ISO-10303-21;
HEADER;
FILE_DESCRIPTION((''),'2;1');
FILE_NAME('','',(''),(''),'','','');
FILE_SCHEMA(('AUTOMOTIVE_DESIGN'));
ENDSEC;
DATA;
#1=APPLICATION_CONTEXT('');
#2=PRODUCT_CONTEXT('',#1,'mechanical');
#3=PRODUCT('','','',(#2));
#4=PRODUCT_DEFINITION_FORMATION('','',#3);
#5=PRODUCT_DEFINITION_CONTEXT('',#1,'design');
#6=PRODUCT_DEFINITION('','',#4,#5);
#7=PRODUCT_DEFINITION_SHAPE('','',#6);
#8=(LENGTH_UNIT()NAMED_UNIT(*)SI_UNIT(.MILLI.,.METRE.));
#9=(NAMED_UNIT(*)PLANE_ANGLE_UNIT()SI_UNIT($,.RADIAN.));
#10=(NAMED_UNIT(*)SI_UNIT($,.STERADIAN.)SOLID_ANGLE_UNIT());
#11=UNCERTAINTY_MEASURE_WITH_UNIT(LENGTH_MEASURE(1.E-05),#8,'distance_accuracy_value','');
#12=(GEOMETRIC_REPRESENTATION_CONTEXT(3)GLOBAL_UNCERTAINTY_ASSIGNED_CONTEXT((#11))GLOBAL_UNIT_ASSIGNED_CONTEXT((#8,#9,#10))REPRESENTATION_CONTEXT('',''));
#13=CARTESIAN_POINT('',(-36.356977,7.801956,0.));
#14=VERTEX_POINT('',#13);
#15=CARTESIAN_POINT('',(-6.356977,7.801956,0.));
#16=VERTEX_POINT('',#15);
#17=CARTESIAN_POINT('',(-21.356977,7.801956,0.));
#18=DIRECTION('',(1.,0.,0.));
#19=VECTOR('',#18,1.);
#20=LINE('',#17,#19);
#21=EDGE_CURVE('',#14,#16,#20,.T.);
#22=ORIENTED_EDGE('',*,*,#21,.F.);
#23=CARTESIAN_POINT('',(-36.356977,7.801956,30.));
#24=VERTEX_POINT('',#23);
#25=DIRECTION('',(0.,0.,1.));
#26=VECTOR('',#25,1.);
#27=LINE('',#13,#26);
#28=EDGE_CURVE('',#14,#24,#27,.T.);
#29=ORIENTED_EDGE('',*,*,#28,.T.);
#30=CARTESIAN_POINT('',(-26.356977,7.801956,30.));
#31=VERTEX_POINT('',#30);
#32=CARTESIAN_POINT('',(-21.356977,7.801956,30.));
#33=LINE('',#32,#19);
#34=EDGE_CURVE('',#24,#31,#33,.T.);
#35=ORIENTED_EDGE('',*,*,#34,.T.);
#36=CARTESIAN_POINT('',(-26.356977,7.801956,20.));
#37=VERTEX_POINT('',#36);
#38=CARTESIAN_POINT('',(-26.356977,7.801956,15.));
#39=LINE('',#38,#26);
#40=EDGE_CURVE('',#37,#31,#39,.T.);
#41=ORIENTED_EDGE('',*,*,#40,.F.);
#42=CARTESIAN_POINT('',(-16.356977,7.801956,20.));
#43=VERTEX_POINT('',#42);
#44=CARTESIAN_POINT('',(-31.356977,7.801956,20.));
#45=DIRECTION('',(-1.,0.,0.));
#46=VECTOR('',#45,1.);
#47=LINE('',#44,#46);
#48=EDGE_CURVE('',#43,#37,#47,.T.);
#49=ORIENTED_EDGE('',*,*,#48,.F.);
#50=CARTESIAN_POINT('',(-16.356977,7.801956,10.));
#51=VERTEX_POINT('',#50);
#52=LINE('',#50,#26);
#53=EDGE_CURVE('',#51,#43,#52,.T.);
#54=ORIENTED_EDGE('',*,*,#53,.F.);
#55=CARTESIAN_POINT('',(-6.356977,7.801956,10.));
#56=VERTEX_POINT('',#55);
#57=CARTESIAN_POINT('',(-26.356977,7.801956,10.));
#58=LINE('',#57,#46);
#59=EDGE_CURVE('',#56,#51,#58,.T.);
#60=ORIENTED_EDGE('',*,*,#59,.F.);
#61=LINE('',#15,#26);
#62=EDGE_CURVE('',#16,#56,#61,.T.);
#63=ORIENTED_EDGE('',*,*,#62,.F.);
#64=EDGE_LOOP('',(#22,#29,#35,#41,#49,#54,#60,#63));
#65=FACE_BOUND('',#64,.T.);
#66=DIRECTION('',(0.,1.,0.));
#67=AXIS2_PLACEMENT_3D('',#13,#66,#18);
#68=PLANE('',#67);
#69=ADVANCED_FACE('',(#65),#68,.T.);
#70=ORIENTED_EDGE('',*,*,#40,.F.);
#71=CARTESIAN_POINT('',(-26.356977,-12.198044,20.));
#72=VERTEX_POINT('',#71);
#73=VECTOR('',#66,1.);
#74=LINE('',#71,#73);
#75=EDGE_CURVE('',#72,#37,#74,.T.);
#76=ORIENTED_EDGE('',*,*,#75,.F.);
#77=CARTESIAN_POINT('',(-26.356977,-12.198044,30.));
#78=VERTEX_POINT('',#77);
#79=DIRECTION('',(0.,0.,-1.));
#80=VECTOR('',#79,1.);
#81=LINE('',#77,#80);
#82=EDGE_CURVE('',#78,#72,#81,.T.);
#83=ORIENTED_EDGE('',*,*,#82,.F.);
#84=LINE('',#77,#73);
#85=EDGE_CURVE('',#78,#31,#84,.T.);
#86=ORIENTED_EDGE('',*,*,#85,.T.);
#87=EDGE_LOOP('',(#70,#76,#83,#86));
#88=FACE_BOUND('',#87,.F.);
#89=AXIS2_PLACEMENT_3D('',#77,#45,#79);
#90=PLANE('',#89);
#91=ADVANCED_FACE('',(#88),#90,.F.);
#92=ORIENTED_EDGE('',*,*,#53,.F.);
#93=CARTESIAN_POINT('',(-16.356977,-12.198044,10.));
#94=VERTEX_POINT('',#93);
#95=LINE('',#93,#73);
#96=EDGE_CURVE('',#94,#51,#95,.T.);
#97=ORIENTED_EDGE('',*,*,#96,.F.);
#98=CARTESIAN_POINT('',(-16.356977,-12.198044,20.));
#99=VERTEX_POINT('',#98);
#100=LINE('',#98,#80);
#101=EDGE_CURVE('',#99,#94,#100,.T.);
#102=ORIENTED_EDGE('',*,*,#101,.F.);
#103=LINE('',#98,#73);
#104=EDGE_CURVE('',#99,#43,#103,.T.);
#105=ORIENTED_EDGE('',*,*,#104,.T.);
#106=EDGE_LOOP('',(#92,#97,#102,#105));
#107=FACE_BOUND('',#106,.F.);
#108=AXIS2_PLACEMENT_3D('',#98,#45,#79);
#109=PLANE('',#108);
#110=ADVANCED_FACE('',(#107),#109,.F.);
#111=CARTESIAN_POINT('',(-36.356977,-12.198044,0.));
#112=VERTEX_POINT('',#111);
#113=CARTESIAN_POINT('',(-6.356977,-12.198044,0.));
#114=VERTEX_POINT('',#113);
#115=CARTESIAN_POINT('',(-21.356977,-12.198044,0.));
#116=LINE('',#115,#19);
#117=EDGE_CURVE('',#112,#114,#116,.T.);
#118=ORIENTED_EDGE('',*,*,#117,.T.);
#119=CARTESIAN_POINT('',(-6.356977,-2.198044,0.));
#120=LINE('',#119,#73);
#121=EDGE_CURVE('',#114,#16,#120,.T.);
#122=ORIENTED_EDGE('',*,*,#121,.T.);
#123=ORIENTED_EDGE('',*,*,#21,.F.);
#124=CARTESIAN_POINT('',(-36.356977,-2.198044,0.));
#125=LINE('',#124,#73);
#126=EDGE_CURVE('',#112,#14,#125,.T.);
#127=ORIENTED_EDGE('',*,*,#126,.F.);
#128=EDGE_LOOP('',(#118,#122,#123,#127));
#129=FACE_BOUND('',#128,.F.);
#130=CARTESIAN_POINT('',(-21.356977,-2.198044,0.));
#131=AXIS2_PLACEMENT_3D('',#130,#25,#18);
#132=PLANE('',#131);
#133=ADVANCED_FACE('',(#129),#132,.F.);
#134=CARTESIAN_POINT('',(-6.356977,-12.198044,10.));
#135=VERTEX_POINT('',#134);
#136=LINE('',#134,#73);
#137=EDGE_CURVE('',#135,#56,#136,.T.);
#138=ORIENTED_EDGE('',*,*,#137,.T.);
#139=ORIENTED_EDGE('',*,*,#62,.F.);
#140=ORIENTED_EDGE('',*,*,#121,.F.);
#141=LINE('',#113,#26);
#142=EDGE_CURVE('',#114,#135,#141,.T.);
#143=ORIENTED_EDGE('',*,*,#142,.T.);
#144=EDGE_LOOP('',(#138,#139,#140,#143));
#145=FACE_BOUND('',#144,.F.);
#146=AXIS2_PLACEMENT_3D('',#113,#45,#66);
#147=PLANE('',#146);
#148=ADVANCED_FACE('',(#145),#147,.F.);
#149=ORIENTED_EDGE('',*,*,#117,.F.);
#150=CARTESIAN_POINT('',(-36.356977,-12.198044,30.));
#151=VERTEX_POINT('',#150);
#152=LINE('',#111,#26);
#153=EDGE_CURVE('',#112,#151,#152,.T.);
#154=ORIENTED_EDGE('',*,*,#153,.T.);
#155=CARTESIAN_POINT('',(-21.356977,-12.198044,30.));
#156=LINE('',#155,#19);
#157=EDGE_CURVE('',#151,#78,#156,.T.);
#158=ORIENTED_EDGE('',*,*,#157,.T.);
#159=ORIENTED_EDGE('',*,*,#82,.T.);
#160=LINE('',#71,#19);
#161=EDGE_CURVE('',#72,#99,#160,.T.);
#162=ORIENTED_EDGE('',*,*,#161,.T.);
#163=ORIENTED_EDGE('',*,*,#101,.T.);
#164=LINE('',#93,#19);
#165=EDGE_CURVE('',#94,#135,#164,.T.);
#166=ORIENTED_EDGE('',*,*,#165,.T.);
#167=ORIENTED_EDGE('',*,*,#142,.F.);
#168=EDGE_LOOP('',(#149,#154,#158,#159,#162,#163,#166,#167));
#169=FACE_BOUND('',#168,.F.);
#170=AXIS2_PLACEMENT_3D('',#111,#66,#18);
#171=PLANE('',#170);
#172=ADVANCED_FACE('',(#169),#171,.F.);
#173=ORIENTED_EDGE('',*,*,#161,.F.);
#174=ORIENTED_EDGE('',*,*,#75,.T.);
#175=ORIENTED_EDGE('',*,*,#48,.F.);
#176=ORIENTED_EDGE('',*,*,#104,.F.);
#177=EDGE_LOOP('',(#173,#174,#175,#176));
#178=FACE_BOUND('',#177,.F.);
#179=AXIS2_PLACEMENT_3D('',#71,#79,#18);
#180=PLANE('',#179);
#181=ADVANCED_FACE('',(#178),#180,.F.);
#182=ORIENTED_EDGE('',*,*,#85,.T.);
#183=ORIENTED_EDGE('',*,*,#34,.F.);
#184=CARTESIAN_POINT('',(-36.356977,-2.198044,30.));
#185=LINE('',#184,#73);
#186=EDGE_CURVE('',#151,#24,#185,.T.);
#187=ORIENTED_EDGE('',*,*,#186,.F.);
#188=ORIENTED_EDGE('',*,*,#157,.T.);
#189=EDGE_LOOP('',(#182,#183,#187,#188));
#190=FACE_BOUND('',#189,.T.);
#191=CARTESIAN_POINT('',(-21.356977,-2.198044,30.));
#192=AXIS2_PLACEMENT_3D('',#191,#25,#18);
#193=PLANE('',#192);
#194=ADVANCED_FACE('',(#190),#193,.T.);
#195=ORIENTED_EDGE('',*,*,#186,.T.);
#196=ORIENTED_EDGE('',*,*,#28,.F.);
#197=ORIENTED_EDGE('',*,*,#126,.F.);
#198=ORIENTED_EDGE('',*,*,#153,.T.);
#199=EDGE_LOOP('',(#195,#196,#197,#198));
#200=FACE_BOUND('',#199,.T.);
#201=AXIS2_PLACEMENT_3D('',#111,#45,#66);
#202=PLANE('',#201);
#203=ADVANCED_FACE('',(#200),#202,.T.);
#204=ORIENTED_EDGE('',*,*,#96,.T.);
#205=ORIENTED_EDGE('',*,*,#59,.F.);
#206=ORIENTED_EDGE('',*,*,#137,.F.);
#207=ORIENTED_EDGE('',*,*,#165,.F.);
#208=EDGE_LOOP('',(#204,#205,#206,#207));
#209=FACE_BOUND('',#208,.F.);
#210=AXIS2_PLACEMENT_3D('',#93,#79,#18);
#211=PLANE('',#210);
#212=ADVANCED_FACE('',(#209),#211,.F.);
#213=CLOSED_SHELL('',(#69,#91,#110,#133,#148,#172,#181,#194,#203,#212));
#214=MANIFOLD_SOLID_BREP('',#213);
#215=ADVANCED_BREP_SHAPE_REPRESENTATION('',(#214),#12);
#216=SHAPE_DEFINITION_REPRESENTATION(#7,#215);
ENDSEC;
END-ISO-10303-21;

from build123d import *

# Parameters (mm, degrees)
F0_W     = 30
F0_H     = 20
F1_DEPTH = 30
F3_DEPTH = 20.001


with BuildPart() as f1:
    # F0 (on Top) → F1 (new body)
    with BuildSketch(Plane.XY):
        with Locations((-21.356977, -2.198044)):
            Rectangle(F0_W, F0_H)
    extrude(amount=F1_DEPTH)

    # F2 (on face) → F3 (cut, through all)
    with BuildSketch(Plane.XZ.offset(12.198044)):
        Polygon((-6.356977, 30), (-26.356977, 30), (-26.356977, 20), (-16.356977, 20), (-16.356977, 10), (-6.356977, 10), align=None)
    extrude(amount=-F3_DEPTH, mode=Mode.SUBTRACT)


solid = f1.part
